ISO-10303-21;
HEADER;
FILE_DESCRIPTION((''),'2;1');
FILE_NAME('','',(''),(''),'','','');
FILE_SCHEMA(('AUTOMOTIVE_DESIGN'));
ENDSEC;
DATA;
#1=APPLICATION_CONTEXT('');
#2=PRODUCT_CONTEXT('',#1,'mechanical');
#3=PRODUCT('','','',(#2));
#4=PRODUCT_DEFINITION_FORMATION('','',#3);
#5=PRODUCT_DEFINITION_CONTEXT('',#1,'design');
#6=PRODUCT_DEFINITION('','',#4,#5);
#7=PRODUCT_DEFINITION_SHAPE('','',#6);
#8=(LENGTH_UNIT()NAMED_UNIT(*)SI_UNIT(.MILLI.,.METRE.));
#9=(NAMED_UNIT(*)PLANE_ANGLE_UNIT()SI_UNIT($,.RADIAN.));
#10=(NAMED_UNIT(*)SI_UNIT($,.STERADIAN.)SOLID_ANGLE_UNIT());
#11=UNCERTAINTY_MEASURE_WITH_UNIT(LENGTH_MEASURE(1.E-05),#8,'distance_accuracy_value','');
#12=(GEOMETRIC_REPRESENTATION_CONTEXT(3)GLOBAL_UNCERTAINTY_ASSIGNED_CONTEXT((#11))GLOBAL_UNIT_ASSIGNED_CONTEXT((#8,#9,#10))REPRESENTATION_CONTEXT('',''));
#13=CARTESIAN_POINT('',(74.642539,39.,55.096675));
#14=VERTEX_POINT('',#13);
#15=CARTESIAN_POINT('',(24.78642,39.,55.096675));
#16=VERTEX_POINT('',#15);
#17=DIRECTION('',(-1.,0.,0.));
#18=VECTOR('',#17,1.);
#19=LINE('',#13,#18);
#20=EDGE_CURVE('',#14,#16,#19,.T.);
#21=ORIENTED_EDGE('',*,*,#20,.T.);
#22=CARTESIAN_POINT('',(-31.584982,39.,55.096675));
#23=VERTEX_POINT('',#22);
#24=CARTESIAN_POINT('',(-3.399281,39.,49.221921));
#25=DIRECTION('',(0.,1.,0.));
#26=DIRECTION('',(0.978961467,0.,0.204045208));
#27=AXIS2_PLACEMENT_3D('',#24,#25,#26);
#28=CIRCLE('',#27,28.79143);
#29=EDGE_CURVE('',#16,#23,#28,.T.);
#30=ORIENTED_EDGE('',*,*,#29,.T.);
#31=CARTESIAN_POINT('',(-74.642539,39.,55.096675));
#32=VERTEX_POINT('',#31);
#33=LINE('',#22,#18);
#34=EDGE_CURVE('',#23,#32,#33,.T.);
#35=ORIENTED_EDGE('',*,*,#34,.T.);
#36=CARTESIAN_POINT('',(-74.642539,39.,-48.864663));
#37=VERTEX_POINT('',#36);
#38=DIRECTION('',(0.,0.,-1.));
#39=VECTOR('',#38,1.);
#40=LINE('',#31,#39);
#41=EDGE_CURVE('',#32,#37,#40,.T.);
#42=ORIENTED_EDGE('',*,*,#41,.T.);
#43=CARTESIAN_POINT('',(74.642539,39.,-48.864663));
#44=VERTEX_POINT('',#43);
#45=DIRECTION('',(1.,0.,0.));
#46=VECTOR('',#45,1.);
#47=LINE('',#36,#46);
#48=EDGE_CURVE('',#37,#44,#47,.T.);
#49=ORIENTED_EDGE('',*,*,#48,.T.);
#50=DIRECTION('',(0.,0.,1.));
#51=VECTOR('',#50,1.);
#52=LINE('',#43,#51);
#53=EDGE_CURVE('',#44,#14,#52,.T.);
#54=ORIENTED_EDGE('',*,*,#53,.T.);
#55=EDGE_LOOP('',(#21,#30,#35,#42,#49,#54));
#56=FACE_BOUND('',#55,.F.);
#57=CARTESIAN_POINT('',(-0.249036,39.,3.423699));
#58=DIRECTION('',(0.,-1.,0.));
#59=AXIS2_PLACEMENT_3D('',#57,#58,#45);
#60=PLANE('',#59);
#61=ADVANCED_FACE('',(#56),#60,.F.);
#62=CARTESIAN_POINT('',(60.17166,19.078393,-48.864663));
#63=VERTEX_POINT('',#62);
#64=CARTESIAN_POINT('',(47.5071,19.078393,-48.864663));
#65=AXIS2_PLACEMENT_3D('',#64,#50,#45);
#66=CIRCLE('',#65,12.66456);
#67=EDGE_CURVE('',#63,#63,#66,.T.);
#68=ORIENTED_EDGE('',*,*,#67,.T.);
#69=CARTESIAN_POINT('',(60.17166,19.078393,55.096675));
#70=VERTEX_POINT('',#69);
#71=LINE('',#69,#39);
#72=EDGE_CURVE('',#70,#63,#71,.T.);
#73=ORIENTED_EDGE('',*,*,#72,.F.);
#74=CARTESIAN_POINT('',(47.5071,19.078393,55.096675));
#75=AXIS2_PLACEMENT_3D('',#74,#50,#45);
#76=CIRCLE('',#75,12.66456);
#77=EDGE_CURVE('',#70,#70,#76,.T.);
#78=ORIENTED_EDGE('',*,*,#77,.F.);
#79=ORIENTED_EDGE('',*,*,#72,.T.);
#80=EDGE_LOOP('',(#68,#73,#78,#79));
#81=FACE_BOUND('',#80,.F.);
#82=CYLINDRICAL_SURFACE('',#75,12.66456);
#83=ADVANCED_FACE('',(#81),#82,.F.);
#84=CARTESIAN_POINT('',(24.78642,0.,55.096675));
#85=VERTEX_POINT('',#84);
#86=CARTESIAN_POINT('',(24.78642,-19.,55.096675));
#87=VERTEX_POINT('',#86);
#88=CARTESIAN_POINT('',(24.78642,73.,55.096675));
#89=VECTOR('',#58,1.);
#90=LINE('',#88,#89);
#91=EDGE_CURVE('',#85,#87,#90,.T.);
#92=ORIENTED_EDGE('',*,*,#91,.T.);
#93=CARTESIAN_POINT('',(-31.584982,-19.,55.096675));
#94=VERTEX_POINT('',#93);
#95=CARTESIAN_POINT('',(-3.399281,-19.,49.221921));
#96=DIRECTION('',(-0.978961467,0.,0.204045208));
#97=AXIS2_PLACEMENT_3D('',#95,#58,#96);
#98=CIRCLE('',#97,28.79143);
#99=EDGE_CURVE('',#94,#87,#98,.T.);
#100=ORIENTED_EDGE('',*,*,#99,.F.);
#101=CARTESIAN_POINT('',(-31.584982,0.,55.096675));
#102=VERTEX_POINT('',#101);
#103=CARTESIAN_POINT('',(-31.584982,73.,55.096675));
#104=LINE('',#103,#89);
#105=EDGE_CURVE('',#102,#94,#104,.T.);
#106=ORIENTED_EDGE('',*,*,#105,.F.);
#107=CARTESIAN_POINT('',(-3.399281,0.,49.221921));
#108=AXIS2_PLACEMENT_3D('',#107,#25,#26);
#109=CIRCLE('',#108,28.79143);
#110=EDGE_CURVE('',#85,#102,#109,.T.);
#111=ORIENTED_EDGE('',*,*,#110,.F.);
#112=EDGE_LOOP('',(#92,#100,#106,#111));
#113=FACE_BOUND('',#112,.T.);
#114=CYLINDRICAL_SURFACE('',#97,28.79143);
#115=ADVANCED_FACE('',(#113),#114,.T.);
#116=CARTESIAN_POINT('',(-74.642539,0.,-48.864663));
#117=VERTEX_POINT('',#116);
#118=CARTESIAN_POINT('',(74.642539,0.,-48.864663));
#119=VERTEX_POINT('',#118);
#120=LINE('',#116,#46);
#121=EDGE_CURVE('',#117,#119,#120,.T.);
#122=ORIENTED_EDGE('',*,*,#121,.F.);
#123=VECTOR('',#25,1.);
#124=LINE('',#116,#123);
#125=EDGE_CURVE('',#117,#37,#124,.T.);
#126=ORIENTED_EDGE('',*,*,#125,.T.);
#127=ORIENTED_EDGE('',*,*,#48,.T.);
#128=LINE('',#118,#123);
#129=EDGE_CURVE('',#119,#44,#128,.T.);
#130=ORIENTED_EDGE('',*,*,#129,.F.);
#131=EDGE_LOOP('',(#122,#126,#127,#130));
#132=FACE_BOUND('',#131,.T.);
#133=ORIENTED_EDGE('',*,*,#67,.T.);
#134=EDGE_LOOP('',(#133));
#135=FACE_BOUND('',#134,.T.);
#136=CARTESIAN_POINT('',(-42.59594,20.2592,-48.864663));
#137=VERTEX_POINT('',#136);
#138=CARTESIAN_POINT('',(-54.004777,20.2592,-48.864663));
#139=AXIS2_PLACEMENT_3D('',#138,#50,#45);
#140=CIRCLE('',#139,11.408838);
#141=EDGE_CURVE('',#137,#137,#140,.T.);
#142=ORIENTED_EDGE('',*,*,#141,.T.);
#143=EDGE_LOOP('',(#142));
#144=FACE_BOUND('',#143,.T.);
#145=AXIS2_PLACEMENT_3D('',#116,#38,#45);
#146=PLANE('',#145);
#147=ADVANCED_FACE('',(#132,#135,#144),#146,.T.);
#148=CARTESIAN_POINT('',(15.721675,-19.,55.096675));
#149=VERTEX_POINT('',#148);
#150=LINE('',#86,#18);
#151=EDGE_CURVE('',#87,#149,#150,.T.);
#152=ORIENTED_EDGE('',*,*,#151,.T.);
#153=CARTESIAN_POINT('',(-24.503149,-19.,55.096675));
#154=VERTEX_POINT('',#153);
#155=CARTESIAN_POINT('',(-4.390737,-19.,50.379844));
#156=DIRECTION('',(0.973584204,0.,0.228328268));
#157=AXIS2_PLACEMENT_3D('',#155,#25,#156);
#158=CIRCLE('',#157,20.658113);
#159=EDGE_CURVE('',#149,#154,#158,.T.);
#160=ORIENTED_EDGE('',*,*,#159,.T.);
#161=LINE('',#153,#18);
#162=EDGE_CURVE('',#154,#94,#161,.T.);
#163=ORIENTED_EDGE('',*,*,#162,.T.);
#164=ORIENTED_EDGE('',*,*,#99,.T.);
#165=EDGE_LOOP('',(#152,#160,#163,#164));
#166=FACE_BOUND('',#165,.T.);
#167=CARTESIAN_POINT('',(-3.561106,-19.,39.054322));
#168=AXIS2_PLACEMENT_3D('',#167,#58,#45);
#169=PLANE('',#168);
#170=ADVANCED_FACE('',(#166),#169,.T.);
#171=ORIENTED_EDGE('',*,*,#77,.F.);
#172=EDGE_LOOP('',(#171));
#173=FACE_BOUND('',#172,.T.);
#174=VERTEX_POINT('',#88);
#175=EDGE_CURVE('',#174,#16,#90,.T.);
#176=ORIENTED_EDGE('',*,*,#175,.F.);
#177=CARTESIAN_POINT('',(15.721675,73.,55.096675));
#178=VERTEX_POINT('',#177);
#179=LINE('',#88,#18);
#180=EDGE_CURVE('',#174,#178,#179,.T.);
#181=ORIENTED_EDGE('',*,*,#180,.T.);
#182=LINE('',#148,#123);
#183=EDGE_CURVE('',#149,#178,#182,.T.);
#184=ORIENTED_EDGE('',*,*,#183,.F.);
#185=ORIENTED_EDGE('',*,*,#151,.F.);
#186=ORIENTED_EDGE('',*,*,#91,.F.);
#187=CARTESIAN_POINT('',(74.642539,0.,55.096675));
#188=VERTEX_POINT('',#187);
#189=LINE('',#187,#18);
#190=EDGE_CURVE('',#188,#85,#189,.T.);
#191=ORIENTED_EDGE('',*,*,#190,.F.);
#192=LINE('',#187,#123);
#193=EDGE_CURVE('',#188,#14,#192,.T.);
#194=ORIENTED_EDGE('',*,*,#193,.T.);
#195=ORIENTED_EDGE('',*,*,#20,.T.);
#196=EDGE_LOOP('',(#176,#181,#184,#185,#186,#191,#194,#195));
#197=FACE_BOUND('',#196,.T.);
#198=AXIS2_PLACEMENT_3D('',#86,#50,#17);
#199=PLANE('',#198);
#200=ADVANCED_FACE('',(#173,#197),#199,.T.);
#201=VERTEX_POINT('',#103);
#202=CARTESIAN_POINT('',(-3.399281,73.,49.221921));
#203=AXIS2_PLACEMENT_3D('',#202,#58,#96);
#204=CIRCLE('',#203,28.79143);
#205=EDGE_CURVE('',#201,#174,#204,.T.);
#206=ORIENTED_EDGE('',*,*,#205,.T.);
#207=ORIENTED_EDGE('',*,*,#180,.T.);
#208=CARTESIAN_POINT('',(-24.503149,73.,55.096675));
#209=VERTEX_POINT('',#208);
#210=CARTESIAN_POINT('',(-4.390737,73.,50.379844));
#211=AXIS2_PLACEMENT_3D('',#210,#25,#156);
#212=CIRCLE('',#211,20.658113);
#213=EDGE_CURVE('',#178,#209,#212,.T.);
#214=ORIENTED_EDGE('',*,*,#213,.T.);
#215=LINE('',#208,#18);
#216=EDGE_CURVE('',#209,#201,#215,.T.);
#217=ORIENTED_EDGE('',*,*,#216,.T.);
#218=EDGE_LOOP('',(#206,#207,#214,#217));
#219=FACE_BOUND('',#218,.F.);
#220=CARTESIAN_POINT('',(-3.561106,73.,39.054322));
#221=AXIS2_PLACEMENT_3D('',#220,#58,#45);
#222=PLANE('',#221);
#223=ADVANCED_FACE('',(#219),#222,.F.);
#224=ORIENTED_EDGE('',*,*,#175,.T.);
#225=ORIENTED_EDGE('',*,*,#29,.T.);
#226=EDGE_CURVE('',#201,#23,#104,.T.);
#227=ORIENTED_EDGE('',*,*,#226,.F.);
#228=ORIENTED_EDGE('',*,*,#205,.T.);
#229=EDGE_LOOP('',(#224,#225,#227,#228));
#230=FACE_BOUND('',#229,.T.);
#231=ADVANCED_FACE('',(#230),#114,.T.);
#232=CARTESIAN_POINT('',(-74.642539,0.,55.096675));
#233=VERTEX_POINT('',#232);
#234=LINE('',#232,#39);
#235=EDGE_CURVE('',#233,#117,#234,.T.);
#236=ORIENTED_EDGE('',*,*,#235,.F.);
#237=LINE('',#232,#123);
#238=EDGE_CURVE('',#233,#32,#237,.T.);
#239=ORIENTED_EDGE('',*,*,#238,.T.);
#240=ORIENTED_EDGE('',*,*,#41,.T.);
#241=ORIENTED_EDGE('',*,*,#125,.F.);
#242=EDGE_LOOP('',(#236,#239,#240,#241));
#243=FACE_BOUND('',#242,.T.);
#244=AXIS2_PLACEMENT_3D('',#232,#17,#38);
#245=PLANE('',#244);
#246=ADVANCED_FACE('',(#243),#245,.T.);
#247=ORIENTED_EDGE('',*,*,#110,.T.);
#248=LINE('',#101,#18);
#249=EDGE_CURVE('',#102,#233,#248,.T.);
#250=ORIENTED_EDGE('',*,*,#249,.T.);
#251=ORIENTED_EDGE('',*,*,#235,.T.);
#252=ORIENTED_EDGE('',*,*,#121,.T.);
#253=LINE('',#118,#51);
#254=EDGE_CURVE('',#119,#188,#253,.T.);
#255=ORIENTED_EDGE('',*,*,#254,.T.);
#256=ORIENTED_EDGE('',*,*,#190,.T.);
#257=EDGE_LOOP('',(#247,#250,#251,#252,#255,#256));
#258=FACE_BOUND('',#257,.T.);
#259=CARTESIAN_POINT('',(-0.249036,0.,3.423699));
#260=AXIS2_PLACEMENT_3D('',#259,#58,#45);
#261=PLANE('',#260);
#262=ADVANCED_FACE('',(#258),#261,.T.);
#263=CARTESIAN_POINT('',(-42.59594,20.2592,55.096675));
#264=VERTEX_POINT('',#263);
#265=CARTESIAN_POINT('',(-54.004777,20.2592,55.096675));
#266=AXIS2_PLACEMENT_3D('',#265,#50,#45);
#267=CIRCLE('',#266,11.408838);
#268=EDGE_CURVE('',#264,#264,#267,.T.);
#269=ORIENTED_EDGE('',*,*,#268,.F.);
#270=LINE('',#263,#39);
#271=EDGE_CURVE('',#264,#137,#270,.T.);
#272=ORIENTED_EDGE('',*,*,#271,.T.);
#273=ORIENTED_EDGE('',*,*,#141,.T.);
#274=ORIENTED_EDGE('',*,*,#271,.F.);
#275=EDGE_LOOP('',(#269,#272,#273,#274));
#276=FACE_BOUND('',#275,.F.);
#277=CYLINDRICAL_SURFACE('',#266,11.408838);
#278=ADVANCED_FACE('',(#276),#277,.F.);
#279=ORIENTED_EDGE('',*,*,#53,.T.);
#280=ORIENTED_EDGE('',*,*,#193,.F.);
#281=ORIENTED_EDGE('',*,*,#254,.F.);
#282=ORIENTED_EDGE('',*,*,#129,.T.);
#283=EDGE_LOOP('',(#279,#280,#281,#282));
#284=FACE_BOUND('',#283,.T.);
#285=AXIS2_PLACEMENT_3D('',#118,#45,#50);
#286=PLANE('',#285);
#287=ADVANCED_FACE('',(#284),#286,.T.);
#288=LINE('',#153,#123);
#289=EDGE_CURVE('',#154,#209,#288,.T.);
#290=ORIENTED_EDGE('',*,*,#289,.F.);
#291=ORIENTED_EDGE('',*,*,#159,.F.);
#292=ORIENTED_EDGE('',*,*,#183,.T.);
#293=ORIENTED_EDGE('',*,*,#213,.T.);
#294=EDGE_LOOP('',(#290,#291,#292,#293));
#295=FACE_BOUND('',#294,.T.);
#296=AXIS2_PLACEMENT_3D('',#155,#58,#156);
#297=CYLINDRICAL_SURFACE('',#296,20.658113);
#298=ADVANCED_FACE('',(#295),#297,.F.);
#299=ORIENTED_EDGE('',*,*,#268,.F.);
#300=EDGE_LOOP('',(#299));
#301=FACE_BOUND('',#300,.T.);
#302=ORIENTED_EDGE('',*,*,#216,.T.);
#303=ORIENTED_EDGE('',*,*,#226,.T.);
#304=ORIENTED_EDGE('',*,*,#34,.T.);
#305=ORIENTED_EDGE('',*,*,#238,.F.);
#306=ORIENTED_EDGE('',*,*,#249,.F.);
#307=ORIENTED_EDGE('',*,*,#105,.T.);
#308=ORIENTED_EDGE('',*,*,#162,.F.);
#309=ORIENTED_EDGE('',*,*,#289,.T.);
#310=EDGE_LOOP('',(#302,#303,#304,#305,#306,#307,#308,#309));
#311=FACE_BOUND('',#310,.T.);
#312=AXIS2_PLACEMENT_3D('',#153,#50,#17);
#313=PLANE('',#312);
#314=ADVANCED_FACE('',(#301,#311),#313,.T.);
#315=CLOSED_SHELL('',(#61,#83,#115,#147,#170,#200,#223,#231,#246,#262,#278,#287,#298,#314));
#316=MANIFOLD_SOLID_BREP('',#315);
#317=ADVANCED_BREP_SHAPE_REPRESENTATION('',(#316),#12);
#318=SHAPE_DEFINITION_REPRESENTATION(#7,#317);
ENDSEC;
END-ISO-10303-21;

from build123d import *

# Parameters (mm, degrees)
F1_DEPTH = 19
F2_DEPTH = 92
F3_DEPTH = 39
F4_R     = 11.4088376228
F6_DEPTH = 103.9623373578
F5_R     = 12.6645604818
F7_DEPTH = 103.9623373578


with BuildPart() as f1:
    # F0 (on Front) → F1 (new body)
    with BuildSketch(Plane.XZ):
        with BuildLine():
            Line((-24.5031490922, 55.0966747105), (-31.5849818289, 55.0966747105))
            ThreePointArc((-31.5849818289, 55.0966747105), (-3.3992808312, 20.4304908119), (24.7864201665, 55.0966747105))
            Line((24.7864201665, 55.0966747105), (15.7216750085, 55.0966747105))
            ThreePointArc((15.7216750085, 55.0966747105), (-4.3907370418, 29.7217311132), (-24.5031490922, 55.0966747105))
        make_face()
    extrude(amount=F1_DEPTH)

    # F2 (add): a face of the model
    f2_faces = [f1.faces().sort_by_distance(p)[0] for p in [
        (20.2540475875, -19, 54.4245489648),
    ]]
    extrude(f2_faces, amount=-F2_DEPTH)

    # F0 (on Front) → F3 (join)
    with BuildSketch(Plane.XZ):
        with BuildLine():
            Line((-31.5849818289, 55.0966747105), (-74.6425390244, 55.0966747105))
            Line((-74.6425390244, 55.0966747105), (-74.6425390244, -48.8646626472))
            Line((-74.6425390244, -48.8646626472), (74.6425390244, -48.8646626472))
            Line((74.6425390244, -48.8646626472), (74.6425390244, 55.0966747105))
            Line((74.6425390244, 55.0966747105), (24.7864201665, 55.0966747105))
            ThreePointArc((24.7864201665, 55.0966747105), (-3.3992808312, 20.4304908119), (-31.5849818289, 55.0966747105))
        make_face()
    extrude(amount=-F3_DEPTH)

    # F4 (on face) → F6 (cut, through all)
    with BuildSketch(Plane.XY.offset(55.0966747105)):
        with Locations((-54.0047772229, 20.259199664)):
            Circle(F4_R)
    extrude(amount=-F6_DEPTH, mode=Mode.SUBTRACT)

    # F5 (on face) → F7 (cut, through all)
    with BuildSketch(Plane.XY.offset(55.0966747105)):
        with Locations((47.5070998073, 19.0783925354)):
            Circle(F5_R)
    extrude(amount=-F7_DEPTH, mode=Mode.SUBTRACT)


solid = f1.part
